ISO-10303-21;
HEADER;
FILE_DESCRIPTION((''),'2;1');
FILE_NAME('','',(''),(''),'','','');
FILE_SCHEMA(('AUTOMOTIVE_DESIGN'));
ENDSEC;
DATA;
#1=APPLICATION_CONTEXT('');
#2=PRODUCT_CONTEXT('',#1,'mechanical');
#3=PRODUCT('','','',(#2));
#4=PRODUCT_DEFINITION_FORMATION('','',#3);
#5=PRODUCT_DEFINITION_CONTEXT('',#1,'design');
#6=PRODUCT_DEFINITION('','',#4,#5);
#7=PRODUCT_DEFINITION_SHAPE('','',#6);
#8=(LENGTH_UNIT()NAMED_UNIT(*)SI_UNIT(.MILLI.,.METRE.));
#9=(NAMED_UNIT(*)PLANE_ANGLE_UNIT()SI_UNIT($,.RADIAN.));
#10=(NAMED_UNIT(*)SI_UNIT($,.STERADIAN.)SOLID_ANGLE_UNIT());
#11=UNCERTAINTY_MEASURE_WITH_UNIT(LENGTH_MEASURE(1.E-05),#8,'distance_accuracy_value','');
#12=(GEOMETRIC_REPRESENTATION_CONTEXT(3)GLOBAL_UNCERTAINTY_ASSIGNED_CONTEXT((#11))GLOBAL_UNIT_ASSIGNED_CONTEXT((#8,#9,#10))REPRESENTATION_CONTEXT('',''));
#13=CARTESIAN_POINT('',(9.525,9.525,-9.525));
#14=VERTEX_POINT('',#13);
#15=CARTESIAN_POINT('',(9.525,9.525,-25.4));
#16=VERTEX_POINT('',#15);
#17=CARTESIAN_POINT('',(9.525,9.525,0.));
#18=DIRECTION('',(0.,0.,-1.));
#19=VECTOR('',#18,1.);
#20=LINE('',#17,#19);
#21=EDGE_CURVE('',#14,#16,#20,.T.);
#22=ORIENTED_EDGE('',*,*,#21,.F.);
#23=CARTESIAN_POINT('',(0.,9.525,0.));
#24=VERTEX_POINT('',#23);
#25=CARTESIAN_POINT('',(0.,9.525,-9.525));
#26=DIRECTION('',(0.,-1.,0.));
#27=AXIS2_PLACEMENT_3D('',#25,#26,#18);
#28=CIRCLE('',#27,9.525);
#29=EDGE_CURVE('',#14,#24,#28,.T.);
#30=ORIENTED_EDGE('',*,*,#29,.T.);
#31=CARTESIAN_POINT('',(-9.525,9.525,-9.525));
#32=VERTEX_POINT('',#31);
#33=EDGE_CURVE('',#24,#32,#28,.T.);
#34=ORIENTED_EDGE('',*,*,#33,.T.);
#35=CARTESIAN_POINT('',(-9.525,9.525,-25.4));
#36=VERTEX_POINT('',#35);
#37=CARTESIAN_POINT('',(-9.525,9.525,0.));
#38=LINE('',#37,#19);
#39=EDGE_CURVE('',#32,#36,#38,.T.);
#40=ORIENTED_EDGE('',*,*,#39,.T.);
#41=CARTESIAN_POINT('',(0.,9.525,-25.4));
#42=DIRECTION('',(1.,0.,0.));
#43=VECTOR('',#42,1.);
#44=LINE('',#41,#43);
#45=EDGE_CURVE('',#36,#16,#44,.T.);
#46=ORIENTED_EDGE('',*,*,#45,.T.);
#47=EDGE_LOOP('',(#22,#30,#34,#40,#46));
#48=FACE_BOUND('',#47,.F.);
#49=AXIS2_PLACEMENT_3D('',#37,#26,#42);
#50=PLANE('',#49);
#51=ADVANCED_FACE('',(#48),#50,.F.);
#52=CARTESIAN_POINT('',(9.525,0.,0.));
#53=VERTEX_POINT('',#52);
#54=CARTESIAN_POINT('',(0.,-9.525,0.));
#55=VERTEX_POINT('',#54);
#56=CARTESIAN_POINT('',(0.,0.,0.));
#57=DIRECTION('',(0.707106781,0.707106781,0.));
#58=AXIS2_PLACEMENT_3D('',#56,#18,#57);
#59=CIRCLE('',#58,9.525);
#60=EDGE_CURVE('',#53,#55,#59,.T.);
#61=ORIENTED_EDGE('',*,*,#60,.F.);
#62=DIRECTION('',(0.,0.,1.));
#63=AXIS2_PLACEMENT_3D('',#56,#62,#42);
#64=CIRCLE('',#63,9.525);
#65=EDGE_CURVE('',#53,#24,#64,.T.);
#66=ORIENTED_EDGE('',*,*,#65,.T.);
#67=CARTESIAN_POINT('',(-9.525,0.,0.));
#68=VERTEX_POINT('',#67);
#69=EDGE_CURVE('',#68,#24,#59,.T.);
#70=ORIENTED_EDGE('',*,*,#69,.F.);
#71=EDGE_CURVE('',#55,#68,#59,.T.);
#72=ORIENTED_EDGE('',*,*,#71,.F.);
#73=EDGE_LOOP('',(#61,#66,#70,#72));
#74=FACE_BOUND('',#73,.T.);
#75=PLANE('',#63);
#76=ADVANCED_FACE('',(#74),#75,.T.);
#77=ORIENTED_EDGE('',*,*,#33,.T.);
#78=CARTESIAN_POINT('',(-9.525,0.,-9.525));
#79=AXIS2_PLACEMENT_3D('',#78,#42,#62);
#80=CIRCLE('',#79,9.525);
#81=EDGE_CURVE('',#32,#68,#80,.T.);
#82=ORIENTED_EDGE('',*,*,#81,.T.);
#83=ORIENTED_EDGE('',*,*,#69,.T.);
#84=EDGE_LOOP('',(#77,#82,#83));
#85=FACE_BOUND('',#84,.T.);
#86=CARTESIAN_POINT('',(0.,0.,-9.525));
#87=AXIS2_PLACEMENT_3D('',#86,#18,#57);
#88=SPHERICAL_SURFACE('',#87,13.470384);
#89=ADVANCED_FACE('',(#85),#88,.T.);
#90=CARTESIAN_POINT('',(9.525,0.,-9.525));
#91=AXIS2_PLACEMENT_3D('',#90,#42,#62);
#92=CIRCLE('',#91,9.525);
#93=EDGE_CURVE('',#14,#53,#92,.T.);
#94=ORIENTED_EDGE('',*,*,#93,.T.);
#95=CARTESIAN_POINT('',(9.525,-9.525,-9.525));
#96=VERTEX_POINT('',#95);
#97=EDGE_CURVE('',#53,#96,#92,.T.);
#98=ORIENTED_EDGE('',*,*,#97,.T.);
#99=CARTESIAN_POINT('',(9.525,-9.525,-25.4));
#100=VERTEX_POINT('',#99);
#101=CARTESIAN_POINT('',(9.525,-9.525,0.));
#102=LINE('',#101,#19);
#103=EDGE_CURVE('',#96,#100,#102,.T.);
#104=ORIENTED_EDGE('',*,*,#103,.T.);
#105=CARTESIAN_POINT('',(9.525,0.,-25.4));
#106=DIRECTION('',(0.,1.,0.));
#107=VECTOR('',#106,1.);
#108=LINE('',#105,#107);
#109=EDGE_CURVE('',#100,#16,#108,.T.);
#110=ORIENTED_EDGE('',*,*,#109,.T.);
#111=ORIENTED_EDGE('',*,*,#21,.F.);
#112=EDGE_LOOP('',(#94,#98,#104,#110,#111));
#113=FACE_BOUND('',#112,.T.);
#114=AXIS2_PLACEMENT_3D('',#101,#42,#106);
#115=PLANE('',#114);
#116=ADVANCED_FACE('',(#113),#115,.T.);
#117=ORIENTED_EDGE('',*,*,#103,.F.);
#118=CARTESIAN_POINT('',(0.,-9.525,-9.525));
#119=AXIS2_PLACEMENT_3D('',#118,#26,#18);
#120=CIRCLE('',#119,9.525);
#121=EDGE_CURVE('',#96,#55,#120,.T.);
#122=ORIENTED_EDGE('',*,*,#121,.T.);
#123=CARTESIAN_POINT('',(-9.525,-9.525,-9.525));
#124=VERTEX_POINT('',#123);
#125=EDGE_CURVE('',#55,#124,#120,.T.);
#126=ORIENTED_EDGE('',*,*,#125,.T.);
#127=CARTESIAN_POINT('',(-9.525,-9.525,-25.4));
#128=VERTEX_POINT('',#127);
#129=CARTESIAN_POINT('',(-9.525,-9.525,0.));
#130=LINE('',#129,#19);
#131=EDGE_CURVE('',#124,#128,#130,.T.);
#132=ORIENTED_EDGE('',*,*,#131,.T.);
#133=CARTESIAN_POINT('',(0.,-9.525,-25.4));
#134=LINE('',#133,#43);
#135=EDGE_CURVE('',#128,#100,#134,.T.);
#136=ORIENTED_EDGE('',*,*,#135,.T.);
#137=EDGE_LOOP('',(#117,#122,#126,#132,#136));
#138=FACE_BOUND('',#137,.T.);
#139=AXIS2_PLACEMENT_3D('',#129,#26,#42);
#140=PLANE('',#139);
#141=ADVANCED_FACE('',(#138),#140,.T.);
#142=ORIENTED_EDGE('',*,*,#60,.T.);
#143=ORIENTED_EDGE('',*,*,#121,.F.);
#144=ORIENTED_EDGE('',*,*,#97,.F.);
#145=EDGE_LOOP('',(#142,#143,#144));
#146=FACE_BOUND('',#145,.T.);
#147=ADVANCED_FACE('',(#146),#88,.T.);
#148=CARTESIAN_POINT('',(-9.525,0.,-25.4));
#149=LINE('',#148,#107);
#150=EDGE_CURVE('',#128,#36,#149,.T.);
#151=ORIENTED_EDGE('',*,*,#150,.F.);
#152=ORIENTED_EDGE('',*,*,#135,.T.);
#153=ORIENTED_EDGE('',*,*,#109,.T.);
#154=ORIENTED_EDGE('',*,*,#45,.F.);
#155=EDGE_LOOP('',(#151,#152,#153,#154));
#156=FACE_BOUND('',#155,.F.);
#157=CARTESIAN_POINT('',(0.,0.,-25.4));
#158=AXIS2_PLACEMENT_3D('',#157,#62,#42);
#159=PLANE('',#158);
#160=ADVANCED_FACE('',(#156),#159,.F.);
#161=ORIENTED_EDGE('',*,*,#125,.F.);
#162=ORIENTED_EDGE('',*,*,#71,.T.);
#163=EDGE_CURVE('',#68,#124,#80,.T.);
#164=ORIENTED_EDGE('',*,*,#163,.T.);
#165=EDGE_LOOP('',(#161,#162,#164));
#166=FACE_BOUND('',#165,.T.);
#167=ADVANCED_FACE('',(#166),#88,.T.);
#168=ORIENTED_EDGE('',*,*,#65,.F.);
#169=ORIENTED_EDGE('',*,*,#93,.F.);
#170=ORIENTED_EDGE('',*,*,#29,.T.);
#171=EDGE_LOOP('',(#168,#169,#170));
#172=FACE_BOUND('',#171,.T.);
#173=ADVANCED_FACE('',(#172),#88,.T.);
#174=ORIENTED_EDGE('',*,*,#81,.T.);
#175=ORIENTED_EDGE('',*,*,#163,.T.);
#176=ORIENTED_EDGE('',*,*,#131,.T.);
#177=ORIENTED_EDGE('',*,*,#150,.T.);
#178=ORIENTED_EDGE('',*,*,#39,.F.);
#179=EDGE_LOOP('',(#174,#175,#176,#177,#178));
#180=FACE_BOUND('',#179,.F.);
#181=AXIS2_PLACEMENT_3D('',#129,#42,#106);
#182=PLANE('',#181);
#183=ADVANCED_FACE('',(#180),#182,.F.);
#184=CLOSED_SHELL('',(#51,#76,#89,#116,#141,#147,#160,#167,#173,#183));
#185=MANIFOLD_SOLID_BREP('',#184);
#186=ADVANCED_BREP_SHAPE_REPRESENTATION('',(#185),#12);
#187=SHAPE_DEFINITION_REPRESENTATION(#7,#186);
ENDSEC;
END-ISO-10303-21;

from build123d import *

# Parameters (mm, degrees)
F0_W     = 19.05
F0_H     = 19.05
F1_DEPTH = 25.4


with BuildPart() as f1:
    # F0 (on Top) → F1 (new body)
    with BuildSketch(Plane.XY):
        Rectangle(F0_W, F0_H)
    extrude(amount=-F1_DEPTH)

    # F3 (on 3pt) → F4 (revolve, cut)
    with BuildSketch(Plane(origin=(0, 0, 0), x_dir=(0.7071067812, 0.7071067812, 0), z_dir=(0.7071067812, -0.7071067812, 0))):
        with BuildLine():
            ThreePointArc((0, 3.9453841816), (9.525, 0), (13.4703841816, -9.525))
            Line((13.4703841816, -9.525), (16.0103841816, -9.525))
            Line((16.0103841816, -9.525), (16.0103841816, 6.4853841816))
            Line((16.0103841816, 6.4853841816), (0, 6.4853841816))
            Line((0, 6.4853841816), (0, 3.9453841816))
        make_face()
    revolve(axis=Axis((0, 0, -8.7556987966), (0, 0, -1)), mode=Mode.SUBTRACT)


solid = f1.part
